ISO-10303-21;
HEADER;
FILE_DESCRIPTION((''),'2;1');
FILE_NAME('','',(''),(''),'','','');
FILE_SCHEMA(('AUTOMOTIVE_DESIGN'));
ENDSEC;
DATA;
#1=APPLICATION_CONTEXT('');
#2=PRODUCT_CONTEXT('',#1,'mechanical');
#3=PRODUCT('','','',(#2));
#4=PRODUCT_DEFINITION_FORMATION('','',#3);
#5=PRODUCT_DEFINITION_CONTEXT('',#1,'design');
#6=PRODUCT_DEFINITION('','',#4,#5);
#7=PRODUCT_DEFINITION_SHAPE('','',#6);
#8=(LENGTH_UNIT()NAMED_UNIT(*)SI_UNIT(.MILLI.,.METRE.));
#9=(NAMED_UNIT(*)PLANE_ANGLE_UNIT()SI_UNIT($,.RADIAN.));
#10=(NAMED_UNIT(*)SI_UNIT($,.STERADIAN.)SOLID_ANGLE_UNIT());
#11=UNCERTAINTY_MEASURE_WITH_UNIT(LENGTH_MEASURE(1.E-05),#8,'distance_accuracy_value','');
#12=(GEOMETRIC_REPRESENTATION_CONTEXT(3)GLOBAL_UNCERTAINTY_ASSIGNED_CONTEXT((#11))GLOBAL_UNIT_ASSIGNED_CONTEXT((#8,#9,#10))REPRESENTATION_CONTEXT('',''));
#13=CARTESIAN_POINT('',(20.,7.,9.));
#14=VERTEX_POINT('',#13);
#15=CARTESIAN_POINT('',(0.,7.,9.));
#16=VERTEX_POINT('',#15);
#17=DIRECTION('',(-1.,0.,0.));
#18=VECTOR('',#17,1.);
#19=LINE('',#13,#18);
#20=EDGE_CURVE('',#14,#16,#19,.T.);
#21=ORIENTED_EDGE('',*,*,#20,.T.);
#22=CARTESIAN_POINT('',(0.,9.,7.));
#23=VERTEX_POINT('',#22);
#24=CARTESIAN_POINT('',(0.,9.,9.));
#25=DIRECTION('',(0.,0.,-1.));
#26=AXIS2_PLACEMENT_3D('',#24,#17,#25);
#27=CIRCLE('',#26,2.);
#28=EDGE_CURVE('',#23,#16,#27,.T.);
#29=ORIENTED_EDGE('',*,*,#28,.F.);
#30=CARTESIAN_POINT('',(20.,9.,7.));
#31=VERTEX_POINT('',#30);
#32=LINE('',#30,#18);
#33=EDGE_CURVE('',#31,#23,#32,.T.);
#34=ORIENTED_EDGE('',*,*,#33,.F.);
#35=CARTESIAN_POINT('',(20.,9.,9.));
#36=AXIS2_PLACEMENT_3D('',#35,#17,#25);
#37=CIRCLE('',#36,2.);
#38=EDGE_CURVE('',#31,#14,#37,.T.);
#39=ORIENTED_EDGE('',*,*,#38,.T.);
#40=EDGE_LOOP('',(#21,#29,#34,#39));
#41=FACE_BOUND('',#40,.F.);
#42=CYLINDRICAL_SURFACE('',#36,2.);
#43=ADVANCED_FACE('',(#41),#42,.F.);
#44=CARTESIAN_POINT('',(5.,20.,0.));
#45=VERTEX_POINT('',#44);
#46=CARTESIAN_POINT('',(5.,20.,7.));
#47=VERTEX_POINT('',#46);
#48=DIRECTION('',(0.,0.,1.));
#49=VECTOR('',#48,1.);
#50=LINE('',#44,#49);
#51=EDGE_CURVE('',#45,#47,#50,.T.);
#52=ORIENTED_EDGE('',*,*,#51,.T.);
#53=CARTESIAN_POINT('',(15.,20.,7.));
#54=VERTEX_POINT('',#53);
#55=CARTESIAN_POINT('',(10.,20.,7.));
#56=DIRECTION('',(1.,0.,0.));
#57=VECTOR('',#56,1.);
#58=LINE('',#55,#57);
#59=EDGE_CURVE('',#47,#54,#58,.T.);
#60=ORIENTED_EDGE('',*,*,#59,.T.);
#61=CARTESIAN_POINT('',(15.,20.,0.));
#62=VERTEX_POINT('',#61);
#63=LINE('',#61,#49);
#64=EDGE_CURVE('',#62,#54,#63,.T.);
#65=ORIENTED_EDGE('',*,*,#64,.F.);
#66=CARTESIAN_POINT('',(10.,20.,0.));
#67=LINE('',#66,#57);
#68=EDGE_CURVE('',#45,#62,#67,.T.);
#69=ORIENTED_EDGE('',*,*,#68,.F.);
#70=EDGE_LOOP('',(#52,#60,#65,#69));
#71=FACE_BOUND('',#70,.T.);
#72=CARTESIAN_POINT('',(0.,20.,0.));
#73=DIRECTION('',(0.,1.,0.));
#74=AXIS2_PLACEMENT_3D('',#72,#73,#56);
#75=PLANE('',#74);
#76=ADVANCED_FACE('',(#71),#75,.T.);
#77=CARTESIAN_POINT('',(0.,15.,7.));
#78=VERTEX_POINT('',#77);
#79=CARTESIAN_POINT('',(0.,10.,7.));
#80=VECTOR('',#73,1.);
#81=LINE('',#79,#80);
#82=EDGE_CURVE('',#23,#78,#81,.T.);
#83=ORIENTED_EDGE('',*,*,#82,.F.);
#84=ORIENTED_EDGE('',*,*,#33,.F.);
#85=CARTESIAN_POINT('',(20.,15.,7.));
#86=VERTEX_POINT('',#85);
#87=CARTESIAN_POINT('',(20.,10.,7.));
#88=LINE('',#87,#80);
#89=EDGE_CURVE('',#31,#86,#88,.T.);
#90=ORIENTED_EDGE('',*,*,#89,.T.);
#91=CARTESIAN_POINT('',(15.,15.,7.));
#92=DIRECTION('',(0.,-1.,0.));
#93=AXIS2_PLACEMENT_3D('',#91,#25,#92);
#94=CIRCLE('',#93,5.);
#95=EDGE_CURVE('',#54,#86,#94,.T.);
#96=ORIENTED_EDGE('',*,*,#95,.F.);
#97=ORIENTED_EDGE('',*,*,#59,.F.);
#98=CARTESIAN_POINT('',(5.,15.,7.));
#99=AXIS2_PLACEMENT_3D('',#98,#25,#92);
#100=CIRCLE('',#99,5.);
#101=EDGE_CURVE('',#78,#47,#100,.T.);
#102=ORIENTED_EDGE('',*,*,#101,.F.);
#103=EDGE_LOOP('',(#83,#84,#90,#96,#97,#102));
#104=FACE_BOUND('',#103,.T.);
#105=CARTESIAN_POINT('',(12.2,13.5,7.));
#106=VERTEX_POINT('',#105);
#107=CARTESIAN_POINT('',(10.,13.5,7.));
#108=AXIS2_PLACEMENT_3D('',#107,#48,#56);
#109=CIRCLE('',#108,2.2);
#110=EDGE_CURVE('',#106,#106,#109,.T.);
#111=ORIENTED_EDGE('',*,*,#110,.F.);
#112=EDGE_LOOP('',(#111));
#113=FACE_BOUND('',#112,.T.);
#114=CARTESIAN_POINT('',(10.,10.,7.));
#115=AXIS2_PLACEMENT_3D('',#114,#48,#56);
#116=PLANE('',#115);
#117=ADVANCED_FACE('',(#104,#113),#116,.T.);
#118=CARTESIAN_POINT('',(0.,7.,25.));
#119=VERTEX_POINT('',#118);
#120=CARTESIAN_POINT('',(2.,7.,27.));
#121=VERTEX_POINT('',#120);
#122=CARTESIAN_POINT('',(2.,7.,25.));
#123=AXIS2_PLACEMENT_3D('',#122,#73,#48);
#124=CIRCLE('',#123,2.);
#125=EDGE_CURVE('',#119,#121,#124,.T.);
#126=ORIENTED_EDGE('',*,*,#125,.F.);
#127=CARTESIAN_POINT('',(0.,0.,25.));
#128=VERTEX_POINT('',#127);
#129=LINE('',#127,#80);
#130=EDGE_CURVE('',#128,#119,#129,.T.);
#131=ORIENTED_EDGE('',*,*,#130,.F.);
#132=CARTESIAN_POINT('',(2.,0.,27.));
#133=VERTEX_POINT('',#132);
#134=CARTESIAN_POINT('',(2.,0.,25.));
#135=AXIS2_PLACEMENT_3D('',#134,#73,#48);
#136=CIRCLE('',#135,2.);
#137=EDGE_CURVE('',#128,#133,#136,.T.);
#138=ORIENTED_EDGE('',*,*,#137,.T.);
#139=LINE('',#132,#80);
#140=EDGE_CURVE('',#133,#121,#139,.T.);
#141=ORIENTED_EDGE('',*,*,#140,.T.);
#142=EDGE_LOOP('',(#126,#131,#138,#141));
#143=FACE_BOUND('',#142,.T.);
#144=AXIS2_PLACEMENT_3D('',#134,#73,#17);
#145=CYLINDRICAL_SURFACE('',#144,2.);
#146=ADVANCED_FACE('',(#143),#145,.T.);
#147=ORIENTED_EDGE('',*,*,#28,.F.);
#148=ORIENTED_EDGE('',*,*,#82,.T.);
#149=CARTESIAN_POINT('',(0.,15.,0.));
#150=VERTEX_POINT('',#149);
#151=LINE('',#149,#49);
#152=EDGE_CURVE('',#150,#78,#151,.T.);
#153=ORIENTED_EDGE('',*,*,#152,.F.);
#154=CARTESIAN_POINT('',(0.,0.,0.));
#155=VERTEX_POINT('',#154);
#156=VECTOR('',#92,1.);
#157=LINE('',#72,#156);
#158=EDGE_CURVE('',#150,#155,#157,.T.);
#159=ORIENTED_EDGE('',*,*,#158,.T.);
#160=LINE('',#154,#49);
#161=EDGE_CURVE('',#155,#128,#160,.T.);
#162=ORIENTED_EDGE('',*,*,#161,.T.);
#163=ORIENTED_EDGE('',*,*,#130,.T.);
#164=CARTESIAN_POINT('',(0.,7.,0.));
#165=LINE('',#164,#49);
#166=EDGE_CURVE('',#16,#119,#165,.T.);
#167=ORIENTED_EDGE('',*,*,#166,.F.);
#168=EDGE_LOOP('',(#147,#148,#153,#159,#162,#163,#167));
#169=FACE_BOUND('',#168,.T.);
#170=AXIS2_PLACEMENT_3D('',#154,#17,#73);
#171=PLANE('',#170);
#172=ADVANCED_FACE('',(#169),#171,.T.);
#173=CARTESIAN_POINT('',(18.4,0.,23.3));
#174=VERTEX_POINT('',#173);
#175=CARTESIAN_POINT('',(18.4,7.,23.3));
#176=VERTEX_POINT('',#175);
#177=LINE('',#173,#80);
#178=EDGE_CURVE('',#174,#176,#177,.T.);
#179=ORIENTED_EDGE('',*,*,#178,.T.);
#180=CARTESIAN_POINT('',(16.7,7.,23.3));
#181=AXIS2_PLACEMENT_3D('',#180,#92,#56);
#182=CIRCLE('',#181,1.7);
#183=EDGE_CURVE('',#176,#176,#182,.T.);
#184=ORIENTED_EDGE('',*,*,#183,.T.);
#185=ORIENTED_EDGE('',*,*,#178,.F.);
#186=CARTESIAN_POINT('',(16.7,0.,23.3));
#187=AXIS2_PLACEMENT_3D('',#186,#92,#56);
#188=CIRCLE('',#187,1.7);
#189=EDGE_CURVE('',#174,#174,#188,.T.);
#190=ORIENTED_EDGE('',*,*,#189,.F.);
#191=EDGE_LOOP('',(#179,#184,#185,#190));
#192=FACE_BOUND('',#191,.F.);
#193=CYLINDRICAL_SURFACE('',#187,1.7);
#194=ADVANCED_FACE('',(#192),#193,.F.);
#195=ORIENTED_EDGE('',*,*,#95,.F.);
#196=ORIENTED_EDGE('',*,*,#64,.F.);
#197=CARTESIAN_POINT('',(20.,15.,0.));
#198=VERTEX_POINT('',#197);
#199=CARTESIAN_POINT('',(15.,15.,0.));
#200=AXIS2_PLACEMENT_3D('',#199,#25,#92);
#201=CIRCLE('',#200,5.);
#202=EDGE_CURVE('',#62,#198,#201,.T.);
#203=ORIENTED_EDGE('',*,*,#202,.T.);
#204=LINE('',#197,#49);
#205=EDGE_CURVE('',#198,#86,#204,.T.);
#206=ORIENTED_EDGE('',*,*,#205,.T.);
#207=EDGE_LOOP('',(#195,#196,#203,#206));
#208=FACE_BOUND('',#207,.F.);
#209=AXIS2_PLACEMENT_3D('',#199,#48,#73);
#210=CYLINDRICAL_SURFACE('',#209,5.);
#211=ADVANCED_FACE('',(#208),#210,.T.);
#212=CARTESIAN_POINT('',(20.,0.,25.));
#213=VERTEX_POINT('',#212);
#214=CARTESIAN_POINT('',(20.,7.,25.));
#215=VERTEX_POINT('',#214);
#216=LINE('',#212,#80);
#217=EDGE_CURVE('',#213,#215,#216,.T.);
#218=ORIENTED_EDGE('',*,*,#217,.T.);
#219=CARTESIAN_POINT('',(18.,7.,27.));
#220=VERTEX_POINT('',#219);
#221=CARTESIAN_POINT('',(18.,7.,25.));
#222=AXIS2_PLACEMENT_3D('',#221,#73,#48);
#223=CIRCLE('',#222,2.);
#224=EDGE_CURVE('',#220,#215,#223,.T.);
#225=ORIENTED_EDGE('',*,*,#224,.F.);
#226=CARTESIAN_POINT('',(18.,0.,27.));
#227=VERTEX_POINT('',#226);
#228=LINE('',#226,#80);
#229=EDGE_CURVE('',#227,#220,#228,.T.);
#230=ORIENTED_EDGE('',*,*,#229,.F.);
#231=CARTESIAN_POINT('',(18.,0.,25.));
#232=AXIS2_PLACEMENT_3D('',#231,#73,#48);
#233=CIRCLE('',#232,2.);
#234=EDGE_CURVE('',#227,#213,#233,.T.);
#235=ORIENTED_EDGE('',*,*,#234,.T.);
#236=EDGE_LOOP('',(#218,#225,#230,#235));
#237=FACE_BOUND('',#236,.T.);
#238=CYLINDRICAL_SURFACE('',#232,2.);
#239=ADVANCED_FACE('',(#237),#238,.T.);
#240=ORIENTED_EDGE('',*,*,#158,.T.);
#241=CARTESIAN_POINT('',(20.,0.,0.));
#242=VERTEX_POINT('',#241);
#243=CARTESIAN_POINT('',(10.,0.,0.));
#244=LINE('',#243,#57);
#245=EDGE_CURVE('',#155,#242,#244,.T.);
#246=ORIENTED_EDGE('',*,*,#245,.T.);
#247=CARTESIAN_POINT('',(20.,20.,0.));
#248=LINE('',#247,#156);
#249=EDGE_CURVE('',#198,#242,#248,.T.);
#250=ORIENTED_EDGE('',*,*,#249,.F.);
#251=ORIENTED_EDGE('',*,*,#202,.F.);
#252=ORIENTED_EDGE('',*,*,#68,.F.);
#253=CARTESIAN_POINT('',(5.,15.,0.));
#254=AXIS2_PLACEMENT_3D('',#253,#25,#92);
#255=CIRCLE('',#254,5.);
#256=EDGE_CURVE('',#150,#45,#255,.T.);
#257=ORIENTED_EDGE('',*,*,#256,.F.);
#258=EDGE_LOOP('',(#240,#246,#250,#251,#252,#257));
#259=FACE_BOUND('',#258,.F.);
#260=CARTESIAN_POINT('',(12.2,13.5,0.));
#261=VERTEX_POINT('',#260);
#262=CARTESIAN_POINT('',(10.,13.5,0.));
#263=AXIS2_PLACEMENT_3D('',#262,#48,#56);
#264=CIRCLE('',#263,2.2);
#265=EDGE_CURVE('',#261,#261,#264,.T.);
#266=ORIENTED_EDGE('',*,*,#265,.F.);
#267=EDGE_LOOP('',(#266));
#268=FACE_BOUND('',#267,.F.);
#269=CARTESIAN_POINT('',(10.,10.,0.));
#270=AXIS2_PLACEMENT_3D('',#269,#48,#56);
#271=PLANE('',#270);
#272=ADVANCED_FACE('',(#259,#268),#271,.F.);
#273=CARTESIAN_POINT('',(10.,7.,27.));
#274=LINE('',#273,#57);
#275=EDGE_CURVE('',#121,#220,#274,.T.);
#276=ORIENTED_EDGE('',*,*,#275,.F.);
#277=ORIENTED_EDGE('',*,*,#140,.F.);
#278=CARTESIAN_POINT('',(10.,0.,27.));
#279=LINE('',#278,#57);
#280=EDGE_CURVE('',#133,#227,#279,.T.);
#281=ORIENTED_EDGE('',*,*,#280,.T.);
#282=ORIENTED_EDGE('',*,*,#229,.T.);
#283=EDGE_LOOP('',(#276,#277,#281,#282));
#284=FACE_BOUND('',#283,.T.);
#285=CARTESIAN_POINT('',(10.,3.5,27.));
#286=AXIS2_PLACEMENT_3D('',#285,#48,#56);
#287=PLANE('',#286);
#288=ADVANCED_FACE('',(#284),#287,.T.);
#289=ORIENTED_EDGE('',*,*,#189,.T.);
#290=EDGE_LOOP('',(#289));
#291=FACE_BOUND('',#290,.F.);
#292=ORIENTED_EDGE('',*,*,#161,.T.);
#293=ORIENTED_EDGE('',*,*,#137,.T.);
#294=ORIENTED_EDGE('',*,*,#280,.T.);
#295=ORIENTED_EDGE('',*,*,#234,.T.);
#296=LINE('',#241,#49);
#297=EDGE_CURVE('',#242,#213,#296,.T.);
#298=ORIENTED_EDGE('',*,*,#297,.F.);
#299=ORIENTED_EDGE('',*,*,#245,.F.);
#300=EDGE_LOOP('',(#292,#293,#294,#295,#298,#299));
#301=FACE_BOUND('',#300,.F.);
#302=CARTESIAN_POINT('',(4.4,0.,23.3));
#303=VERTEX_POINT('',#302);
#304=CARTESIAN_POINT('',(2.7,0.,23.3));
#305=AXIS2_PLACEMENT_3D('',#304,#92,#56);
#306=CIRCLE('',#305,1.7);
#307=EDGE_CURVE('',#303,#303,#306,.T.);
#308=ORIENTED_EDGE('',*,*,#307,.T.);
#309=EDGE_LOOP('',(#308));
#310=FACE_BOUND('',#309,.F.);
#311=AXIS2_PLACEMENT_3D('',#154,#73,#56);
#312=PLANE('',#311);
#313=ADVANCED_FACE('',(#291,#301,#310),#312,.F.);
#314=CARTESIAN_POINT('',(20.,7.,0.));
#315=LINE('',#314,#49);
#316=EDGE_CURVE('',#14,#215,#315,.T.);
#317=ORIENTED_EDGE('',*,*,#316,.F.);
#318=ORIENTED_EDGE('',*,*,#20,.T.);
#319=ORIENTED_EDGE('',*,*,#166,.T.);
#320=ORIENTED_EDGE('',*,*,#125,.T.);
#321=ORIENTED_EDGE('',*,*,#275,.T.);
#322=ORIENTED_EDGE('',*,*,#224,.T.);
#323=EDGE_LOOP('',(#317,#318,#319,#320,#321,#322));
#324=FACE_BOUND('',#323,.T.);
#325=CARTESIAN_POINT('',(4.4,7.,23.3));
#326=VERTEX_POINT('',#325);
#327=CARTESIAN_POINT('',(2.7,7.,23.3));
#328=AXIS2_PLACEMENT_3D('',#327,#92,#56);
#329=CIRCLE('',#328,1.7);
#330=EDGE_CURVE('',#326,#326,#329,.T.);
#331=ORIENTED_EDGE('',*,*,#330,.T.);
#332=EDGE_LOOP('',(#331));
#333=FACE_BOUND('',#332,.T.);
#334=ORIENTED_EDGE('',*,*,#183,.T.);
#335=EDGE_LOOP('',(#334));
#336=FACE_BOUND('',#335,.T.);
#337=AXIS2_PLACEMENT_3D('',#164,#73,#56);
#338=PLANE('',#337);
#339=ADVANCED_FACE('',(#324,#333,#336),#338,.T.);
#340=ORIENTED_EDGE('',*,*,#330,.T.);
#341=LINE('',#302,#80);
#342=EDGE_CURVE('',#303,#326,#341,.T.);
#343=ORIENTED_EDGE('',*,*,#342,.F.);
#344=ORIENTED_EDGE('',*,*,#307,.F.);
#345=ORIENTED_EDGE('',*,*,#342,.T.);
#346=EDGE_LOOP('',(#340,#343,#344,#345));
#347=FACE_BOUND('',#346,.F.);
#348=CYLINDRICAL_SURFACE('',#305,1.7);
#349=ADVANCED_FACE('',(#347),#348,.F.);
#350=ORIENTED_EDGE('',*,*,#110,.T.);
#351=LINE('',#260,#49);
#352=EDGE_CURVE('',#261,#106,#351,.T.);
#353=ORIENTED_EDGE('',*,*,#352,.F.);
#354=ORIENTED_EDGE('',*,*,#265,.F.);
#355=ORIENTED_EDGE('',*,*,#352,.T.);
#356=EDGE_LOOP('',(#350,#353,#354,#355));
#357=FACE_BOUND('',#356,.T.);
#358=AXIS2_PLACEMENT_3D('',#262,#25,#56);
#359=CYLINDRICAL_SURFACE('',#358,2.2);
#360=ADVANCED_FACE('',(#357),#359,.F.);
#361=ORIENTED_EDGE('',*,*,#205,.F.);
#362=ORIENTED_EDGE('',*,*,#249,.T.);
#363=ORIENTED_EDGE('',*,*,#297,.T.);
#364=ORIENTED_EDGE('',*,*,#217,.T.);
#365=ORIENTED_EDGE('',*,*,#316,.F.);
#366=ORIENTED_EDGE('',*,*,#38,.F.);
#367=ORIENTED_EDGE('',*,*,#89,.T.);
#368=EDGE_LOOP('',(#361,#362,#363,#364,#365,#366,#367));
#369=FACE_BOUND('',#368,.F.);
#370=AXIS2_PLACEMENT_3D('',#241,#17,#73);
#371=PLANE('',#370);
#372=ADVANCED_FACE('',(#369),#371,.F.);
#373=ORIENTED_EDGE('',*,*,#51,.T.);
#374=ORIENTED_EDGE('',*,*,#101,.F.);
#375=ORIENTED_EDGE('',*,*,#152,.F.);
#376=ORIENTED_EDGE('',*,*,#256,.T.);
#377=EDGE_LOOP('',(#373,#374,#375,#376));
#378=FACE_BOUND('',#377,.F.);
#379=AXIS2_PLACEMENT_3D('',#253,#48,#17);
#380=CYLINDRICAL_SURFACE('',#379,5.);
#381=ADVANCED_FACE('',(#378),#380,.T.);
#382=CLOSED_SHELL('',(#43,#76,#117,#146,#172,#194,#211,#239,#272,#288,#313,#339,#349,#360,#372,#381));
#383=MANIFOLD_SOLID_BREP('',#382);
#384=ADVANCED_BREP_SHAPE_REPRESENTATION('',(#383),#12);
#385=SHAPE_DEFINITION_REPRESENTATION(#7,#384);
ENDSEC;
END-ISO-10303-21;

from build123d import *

# Parameters (mm, degrees)
F0_W     = 20
F0_H     = 20
F0_R     = 2.2
F1_DEPTH = 7
F2_W     = 20
F2_H     = 7
F3_DEPTH = 27
F4_R     = 1.7
F5_DEPTH = 7
F6_R     = 5
F7_R     = 2


with BuildPart() as f1:
    # F0 (on Top) → F1 (new body)
    with BuildSketch(Plane.XY):
        with Locations((10, 10)):
            Rectangle(F0_W, F0_H)
        with Locations((10, 13.5)):
            Circle(F0_R, mode=Mode.SUBTRACT)
    extrude(amount=F1_DEPTH)

    # F2 (on Top) → F3 (join)
    with BuildSketch(Plane.XY):
        with Locations((10, 3.5)):
            Rectangle(F2_W, F2_H)
    extrude(amount=F3_DEPTH)

    # F4 (on face) → F5 (cut, through all)
    with BuildSketch(Plane.XZ):
        with Locations((2.7, 23.3)):
            Circle(F4_R)
        with Locations((16.7, 23.3)):
            Circle(F4_R)
    extrude(amount=-F5_DEPTH, mode=Mode.SUBTRACT)

    # F6
    f6_edges = [f1.edges().sort_by_distance(p)[0] for p in [
        (0, 20, 3.5),
        (20, 20, 3.5),
    ]]
    fillet(f6_edges, radius=F6_R)

    # F7
    f7_edges = [f1.edges().sort_by_distance(p)[0] for p in [
        (0, 3.5, 27),
        (20, 3.5, 27),
        (10, 7, 7),
    ]]
    fillet(f7_edges, radius=F7_R)


solid = f1.part
